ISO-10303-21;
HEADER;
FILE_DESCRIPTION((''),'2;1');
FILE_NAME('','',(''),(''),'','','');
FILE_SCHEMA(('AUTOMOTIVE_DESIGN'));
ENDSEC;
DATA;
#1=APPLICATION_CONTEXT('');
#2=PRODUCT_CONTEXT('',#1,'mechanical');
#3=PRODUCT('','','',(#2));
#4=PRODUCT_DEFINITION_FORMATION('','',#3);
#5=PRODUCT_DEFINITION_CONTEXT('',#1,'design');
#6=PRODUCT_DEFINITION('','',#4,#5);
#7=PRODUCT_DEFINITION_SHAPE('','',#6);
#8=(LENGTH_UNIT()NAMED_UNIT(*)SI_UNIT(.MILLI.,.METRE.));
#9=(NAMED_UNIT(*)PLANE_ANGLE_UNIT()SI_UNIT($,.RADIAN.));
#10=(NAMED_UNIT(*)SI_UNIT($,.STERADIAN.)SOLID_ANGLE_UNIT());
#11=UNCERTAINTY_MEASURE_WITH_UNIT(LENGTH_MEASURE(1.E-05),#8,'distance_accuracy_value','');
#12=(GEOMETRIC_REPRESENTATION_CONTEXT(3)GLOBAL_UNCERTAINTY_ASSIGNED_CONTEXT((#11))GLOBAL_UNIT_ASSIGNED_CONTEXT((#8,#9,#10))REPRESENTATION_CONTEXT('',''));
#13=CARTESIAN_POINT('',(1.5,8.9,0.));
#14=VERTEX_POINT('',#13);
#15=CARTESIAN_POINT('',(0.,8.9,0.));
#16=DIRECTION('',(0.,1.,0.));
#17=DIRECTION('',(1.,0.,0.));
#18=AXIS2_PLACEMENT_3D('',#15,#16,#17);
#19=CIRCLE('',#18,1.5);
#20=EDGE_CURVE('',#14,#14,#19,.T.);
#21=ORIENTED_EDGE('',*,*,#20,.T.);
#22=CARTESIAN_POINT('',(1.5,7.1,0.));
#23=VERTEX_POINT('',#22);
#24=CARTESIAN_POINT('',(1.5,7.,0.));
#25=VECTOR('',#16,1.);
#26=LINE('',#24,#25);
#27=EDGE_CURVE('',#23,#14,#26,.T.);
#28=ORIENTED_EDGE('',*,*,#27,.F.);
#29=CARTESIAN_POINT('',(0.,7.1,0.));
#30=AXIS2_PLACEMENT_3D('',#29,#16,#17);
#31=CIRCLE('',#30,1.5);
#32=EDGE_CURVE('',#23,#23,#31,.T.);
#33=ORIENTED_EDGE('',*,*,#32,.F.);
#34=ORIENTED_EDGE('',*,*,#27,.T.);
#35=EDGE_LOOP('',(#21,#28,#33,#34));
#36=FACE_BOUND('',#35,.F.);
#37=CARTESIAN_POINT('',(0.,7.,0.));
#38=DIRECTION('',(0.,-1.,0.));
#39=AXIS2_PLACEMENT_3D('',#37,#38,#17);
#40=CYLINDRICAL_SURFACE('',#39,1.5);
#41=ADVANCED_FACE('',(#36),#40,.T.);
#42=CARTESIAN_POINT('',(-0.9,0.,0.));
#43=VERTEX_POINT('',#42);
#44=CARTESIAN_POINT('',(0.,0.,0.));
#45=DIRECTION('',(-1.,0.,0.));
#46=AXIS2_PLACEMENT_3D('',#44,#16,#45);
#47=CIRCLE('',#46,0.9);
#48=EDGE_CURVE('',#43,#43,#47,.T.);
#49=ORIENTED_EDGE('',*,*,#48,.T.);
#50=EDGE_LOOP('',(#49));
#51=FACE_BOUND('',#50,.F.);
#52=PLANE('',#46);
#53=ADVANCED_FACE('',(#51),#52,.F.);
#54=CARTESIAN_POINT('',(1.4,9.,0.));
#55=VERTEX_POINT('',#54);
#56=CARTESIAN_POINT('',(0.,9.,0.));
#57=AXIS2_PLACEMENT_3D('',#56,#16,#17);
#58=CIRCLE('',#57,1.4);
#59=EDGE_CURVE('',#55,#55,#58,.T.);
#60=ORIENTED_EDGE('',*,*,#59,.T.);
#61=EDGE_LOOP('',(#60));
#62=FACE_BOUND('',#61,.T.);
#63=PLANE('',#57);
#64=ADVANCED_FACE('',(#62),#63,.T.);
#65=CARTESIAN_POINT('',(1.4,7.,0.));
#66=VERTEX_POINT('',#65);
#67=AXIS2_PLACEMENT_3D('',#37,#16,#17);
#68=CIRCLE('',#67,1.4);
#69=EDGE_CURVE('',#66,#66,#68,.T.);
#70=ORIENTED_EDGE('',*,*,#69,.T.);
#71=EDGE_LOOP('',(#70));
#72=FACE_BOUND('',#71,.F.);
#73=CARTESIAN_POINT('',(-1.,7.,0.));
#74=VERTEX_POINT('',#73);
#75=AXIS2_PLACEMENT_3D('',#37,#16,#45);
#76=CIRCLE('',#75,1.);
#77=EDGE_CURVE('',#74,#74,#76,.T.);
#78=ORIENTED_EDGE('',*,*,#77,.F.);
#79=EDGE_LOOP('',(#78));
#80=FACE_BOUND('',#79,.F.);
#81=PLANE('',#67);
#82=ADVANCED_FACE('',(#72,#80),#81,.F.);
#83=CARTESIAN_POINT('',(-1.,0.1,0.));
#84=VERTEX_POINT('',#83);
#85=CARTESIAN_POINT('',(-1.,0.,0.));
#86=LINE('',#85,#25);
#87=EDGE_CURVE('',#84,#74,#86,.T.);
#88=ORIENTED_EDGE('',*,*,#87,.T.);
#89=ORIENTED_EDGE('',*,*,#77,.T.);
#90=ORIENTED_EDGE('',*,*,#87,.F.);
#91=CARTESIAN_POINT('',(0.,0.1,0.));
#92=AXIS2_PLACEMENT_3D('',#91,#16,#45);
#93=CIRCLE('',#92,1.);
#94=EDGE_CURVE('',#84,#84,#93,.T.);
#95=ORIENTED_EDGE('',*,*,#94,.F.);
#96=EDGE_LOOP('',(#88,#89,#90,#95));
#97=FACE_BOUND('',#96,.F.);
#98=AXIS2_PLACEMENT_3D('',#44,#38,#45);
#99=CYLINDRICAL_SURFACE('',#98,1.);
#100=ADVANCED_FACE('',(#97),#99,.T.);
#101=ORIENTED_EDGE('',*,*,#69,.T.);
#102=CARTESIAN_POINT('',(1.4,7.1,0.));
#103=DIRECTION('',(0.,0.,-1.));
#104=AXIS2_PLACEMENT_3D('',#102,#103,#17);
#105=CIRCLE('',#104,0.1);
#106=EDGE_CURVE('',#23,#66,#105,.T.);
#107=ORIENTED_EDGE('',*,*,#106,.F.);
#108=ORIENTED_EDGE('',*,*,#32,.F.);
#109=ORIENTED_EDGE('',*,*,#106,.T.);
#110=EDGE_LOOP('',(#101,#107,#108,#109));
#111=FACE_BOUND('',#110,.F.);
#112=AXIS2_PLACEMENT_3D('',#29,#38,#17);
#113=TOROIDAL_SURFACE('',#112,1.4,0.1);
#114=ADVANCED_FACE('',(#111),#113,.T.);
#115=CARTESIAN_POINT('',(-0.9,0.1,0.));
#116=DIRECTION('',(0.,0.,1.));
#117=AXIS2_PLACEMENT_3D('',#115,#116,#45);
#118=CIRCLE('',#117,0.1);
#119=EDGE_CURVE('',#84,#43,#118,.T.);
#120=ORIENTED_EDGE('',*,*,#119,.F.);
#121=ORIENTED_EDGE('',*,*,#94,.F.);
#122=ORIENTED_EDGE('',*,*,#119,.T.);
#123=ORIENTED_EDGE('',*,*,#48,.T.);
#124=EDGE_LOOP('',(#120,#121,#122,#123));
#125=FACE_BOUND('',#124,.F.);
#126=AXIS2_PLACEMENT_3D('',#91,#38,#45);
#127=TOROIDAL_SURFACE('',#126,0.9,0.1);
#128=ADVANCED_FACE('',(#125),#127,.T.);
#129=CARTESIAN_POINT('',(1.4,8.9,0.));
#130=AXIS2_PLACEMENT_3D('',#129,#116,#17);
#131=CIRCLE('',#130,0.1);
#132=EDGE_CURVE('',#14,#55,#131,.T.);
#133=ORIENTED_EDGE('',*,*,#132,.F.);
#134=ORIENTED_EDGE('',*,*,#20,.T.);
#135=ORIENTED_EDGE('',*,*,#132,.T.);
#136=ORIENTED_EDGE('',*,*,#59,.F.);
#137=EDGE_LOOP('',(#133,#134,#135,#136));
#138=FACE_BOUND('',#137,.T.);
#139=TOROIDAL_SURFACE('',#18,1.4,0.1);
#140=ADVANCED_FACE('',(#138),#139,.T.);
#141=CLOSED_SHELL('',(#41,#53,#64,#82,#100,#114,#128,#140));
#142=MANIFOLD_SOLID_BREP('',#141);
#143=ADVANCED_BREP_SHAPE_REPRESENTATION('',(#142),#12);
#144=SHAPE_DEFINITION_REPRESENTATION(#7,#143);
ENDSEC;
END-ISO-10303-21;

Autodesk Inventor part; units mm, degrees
ref_plane "YZ Plane" through (0, 0, 0) normal (1, 0, 0) x (0, 1, 0)
ref_plane "XZ Plane" through (0, 0, 0) normal (0, 1, 0) x (-1, 0, 0)
ref_plane "XY Plane" through (0, 0, 0) normal (0, 0, 1) x (1, 0, 0)
sketch "Boceto1" plane through (0, 0, 0) normal (0, 1, 0) x (-1, 0, 0)
  circle A0 centre (0, 0) radius 1
  dimension "d0" = 2
extrude "Extrusión1" add sketch "Boceto1" along normal blind 7
sketch "Boceto2" plane through (0, 7, 0) normal (0, 1, 0) x (1, 0, 0)
  circle A0 centre (0, 0) radius 1.5
  dimension "d3" = 3
extrude "Extrusión2" add sketch "Boceto2" along normal blind 2
fillet "Empalme1" radius 0.1 3 edges at (1, 0, 0) (-1.5, 7, 0) (-1.5, 9, 0)
properties part number "Tornillo 1"
